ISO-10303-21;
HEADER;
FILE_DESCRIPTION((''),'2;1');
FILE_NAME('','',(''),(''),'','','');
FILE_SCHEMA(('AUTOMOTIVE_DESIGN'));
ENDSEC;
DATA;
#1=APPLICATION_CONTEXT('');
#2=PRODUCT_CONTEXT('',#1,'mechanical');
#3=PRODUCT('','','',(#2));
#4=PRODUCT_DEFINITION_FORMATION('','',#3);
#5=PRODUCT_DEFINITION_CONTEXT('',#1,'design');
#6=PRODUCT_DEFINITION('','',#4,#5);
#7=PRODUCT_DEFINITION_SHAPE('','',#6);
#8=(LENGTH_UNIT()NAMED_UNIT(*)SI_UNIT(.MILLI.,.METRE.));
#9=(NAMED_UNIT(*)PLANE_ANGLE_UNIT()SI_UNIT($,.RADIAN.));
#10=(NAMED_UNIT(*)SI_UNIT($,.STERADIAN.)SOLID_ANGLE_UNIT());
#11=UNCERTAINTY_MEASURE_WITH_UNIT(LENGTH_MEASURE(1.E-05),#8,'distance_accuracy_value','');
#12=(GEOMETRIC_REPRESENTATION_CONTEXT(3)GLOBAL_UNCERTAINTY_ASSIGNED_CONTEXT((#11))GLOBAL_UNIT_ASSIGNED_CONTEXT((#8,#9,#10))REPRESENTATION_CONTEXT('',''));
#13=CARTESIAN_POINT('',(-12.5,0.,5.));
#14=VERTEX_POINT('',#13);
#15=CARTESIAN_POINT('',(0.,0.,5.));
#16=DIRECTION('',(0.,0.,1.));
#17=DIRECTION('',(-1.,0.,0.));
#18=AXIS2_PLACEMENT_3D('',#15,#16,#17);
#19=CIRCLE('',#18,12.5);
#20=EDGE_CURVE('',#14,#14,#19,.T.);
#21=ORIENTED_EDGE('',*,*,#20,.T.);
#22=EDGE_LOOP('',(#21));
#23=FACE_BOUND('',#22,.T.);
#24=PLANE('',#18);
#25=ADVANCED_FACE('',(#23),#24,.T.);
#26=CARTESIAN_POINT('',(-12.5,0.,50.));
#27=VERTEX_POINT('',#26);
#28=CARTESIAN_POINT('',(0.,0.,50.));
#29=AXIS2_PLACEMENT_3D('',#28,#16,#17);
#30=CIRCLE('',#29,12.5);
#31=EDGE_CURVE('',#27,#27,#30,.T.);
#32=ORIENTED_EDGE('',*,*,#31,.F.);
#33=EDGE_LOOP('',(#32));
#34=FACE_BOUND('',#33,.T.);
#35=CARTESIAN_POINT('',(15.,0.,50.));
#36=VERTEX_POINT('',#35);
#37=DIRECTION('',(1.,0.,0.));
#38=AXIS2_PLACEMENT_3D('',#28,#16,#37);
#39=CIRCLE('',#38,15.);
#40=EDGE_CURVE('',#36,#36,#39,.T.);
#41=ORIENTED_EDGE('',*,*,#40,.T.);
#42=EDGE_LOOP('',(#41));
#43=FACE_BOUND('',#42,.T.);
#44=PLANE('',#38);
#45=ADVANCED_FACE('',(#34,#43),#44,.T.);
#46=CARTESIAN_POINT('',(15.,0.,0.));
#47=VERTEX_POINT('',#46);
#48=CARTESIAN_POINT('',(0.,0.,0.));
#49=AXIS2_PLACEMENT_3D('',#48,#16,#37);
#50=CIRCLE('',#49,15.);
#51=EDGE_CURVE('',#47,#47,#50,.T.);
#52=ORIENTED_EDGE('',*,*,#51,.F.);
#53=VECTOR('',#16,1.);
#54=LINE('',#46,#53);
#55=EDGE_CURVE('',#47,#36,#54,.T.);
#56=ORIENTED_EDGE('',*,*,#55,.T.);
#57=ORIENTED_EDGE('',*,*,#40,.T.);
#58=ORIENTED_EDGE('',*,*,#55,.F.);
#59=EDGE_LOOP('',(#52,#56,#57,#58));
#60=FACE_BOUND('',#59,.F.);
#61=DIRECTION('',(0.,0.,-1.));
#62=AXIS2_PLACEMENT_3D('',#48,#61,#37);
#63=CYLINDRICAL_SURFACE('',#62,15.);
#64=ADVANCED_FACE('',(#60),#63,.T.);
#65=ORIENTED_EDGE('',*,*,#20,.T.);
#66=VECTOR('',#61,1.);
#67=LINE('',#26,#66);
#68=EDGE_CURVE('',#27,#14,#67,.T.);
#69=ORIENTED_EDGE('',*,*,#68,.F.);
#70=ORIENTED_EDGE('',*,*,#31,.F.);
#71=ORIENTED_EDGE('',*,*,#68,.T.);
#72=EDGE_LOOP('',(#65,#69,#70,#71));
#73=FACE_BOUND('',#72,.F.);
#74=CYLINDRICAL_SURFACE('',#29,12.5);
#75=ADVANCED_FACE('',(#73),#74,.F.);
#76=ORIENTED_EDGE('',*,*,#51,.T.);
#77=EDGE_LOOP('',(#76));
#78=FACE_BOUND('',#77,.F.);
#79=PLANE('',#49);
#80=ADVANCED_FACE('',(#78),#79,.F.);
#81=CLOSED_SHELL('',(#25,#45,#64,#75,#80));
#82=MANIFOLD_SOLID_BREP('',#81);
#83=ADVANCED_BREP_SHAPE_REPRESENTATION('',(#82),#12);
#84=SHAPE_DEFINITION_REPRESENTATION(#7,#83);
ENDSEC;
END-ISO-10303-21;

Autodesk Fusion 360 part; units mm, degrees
sketch "Sketch1" plane through (0, 0, 0) normal (0, 0, 1) x (1, 0, 0)
  circle A0 centre (0, 0) radius 15
  dimension "d2" = 30
extrude "Extrude1" add sketch "Sketch1" along normal blind 50
sketch "Sketch2" plane through (0, 0, 50) normal (0, 0, 1) x (-1, 0, 0)
  circle A0 centre (0, 0) radius 15
  circle A1 centre (0, 0) radius 12.5
  dimension "d5" = 25
extrude "Extrude2" cut sketch "Sketch2" against normal blind 45 contours A1
